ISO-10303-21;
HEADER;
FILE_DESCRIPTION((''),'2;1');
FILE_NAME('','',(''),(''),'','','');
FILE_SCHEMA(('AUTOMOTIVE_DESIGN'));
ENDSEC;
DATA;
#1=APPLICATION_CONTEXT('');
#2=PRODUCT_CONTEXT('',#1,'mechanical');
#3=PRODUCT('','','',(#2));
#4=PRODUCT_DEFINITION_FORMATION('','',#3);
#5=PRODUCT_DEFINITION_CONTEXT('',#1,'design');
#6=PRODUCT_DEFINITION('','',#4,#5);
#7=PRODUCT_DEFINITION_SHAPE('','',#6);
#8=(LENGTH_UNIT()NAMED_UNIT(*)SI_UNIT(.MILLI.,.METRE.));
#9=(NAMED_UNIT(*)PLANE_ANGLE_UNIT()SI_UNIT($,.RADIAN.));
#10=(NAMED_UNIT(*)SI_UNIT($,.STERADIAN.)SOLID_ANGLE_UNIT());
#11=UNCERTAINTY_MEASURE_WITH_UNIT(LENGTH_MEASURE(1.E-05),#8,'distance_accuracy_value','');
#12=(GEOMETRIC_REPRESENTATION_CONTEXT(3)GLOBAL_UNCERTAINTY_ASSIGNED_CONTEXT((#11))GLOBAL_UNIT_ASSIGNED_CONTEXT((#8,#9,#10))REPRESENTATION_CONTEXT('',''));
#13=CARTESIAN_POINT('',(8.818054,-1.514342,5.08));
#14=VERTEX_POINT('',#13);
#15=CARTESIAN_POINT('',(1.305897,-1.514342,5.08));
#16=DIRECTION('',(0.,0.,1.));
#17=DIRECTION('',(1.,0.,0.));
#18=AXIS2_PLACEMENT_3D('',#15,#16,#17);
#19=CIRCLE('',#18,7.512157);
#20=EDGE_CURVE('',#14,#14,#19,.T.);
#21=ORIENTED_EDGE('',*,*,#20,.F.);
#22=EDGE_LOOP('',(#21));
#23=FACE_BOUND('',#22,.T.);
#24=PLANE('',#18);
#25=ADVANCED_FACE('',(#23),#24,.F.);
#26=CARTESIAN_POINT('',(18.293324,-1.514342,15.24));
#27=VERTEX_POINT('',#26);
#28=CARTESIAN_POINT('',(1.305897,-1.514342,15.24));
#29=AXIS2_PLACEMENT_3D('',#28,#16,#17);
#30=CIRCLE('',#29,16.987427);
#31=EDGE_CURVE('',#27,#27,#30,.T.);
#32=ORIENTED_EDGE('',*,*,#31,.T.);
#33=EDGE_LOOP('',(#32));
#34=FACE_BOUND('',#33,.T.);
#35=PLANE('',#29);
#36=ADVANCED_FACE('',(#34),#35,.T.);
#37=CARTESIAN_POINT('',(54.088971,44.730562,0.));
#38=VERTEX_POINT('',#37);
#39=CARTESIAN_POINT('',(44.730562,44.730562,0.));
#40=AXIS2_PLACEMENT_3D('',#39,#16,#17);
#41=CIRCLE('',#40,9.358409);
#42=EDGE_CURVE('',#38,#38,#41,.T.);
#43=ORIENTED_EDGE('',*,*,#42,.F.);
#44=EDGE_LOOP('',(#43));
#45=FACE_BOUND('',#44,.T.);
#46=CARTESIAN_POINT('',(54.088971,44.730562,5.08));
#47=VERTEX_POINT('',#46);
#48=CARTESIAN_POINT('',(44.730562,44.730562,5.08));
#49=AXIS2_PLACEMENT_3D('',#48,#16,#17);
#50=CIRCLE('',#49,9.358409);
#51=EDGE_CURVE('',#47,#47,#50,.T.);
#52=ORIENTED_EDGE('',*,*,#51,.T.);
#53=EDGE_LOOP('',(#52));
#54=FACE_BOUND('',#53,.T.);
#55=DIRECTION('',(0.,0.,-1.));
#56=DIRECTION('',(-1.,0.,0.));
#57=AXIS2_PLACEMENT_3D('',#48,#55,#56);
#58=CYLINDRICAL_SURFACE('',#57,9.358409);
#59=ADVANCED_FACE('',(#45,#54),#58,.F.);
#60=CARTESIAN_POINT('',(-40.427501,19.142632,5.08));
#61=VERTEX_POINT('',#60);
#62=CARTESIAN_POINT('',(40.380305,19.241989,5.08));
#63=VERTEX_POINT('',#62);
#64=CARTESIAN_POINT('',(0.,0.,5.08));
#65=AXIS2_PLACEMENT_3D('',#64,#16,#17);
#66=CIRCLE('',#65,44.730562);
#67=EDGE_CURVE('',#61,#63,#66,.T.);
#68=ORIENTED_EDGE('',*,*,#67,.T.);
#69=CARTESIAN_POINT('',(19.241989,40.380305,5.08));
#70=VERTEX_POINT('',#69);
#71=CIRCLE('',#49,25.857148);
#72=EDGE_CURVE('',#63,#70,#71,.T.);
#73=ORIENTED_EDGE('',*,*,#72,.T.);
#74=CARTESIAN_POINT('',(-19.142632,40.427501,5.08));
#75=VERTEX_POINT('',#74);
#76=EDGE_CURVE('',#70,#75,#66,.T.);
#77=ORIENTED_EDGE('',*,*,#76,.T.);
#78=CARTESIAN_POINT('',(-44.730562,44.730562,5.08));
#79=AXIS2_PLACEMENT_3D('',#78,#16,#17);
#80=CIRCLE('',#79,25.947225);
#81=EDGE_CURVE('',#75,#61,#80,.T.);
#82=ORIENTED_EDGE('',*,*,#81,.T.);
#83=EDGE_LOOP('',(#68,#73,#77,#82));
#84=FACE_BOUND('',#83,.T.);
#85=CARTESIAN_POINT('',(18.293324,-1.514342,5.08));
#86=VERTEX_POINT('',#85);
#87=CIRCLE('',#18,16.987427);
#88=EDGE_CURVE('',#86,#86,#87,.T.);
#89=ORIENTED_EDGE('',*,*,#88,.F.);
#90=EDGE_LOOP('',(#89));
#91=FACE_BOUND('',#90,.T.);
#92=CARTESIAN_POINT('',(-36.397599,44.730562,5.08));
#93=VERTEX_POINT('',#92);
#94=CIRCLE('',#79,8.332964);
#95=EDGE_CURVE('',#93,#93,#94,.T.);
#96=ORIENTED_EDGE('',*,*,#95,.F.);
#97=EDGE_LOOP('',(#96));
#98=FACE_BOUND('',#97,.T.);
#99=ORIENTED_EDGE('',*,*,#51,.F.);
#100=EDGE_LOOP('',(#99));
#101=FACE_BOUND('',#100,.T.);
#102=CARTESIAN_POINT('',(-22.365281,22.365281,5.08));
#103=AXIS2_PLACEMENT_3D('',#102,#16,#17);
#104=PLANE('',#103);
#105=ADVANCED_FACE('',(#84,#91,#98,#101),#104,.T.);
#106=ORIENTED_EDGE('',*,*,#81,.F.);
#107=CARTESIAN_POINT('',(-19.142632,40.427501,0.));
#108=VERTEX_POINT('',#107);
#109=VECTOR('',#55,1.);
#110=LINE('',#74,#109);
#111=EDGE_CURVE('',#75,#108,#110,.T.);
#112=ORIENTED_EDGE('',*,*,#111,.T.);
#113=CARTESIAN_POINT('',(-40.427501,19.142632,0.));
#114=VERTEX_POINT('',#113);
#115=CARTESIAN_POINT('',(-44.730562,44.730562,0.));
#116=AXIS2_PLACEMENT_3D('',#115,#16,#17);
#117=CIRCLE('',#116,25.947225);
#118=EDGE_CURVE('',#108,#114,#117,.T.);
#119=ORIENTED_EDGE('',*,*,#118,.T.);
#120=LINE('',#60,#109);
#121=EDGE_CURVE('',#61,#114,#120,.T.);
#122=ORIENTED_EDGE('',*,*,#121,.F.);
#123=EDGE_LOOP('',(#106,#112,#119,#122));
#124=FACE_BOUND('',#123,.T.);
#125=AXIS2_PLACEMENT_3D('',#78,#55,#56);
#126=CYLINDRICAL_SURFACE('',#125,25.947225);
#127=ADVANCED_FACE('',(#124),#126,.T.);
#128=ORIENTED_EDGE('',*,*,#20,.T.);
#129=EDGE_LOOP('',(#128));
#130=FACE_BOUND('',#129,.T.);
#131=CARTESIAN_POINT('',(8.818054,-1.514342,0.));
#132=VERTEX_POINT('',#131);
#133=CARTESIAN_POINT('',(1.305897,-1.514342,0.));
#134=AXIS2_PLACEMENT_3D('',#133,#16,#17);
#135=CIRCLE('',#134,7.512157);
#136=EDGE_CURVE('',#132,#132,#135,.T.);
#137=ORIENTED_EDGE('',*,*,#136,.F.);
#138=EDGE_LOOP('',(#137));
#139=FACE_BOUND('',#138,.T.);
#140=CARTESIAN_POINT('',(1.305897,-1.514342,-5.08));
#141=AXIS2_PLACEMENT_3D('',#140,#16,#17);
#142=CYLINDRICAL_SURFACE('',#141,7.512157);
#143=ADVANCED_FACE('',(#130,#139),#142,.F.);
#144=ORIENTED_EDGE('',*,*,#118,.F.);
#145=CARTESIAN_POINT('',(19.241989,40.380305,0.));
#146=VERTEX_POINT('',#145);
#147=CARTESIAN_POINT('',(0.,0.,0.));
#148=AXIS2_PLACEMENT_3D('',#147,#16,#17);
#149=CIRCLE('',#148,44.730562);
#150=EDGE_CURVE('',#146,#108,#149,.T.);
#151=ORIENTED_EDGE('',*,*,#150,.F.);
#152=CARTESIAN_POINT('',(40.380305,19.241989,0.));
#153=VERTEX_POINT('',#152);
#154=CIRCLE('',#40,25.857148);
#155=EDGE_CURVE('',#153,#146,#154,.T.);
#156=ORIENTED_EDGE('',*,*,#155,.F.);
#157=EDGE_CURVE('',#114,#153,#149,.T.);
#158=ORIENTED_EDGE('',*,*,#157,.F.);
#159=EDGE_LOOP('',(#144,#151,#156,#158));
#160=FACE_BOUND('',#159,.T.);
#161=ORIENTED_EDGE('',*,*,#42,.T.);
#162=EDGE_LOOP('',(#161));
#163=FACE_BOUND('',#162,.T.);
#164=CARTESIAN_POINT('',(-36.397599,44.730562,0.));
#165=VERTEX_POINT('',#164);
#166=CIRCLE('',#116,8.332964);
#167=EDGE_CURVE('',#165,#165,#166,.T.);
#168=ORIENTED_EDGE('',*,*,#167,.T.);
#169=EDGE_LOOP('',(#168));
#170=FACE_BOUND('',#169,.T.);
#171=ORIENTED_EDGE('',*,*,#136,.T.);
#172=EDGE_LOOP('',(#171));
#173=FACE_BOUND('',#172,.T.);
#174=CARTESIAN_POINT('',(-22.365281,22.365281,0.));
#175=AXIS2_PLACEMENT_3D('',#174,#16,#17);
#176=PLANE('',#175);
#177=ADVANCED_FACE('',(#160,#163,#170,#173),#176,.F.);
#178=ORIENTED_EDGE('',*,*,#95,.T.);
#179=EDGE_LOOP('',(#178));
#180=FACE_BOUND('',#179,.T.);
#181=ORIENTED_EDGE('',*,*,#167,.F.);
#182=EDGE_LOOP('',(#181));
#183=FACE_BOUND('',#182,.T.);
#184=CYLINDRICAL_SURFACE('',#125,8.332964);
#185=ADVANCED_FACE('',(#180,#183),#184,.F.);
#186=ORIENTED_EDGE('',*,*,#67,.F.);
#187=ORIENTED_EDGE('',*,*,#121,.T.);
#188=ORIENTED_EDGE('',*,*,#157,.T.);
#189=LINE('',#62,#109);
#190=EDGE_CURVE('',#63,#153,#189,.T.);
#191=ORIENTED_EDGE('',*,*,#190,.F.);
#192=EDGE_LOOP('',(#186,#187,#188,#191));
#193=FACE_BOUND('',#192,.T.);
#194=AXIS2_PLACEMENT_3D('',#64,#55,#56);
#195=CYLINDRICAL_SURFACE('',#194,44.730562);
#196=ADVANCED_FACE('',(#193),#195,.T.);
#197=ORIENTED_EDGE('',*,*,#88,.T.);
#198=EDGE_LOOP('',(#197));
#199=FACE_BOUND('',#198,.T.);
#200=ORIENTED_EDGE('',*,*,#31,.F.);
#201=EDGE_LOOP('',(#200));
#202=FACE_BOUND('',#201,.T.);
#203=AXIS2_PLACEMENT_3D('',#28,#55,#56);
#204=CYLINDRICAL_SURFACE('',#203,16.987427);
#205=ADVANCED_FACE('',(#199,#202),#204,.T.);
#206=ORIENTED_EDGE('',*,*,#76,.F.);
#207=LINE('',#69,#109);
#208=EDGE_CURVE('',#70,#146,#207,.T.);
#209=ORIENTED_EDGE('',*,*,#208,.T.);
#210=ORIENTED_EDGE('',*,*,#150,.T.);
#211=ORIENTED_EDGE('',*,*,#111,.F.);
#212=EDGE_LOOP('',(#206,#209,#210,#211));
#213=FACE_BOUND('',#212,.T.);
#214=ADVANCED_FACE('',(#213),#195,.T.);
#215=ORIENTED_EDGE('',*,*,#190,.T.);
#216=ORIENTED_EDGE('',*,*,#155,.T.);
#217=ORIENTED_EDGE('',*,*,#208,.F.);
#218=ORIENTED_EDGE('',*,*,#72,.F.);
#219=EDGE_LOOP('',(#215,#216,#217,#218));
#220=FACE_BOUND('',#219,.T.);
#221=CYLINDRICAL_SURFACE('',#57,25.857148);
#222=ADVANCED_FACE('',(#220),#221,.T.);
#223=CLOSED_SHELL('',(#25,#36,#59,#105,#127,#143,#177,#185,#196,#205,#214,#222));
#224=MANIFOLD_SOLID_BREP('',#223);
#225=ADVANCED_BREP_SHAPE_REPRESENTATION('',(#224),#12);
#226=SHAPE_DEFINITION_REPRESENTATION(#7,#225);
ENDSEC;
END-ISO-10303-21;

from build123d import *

# Parameters (mm, degrees)
SKETCH1_R           = 8.332963545
SKETCH1_R_2         = 9.35840883
BOSS_EXTRUDE2_DEPTH = 5.08
SKETCH2_R           = 16.987426911
BOSS_EXTRUDE3_DEPTH = 10.16
SKETCH2_3_R         = 7.512157001
CUT_EXTRUDE1_DEPTH  = 10.16
SKETCH2_4_R         = 16.987426911
SKETCH2_4_R_2       = 7.512157001
BOSS_EXTRUDE4_DEPTH = 10.16


with BuildPart() as part:
    # Sketch1 → Boss-Extrude2 (new body)
    with BuildSketch(Plane.XY):
        with BuildLine():
            ThreePointArc((-40.42750083, 19.142632152), (0.054998173, -44.730528326), (40.380305232, 19.241988943))
            ThreePointArc((40.380305232, 19.241988943), (63.014326775, 63.014326775), (19.241988943, 40.380305232))
            ThreePointArc((19.241988943, 40.380305232), (0.054998173, 44.730528326), (-19.142632152, 40.42750083))
            ThreePointArc((-19.142632152, 40.42750083), (-63.078021056, 63.078021056), (-40.42750083, 19.142632152))
        make_face()
        with Locations((-44.730562137, 44.730562137)):
            Circle(SKETCH1_R, mode=Mode.SUBTRACT)
        with Locations((44.730562137, 44.730562137)):
            Circle(SKETCH1_R_2, mode=Mode.SUBTRACT)
    extrude(amount=BOSS_EXTRUDE2_DEPTH)

    # Sketch2 → Boss-Extrude3 (add)
    with BuildSketch(Plane.XY.offset(5.08)):
        with Locations((1.305897397, -1.51434167)):
            Circle(SKETCH2_R)
    extrude(amount=BOSS_EXTRUDE3_DEPTH)

    # Sketch2<3> → Cut-Extrude1 (cut)
    with BuildSketch(Plane.XY.offset(5.08)):
        with Locations((1.305897397, -1.51434167)):
            Circle(SKETCH2_3_R)
    extrude(amount=-CUT_EXTRUDE1_DEPTH, mode=Mode.SUBTRACT)

    # Sketch2<4> → Boss-Extrude4 (add, through all)
    with BuildSketch(Plane.XY.offset(5.08)):
        with Locations((1.305897397, -1.51434167)):
            Circle(SKETCH2_4_R)
        with Locations((1.305897397, -1.51434167)):
            Circle(SKETCH2_4_R_2, mode=Mode.SUBTRACT)
    extrude(amount=BOSS_EXTRUDE4_DEPTH)


solid = part.part
